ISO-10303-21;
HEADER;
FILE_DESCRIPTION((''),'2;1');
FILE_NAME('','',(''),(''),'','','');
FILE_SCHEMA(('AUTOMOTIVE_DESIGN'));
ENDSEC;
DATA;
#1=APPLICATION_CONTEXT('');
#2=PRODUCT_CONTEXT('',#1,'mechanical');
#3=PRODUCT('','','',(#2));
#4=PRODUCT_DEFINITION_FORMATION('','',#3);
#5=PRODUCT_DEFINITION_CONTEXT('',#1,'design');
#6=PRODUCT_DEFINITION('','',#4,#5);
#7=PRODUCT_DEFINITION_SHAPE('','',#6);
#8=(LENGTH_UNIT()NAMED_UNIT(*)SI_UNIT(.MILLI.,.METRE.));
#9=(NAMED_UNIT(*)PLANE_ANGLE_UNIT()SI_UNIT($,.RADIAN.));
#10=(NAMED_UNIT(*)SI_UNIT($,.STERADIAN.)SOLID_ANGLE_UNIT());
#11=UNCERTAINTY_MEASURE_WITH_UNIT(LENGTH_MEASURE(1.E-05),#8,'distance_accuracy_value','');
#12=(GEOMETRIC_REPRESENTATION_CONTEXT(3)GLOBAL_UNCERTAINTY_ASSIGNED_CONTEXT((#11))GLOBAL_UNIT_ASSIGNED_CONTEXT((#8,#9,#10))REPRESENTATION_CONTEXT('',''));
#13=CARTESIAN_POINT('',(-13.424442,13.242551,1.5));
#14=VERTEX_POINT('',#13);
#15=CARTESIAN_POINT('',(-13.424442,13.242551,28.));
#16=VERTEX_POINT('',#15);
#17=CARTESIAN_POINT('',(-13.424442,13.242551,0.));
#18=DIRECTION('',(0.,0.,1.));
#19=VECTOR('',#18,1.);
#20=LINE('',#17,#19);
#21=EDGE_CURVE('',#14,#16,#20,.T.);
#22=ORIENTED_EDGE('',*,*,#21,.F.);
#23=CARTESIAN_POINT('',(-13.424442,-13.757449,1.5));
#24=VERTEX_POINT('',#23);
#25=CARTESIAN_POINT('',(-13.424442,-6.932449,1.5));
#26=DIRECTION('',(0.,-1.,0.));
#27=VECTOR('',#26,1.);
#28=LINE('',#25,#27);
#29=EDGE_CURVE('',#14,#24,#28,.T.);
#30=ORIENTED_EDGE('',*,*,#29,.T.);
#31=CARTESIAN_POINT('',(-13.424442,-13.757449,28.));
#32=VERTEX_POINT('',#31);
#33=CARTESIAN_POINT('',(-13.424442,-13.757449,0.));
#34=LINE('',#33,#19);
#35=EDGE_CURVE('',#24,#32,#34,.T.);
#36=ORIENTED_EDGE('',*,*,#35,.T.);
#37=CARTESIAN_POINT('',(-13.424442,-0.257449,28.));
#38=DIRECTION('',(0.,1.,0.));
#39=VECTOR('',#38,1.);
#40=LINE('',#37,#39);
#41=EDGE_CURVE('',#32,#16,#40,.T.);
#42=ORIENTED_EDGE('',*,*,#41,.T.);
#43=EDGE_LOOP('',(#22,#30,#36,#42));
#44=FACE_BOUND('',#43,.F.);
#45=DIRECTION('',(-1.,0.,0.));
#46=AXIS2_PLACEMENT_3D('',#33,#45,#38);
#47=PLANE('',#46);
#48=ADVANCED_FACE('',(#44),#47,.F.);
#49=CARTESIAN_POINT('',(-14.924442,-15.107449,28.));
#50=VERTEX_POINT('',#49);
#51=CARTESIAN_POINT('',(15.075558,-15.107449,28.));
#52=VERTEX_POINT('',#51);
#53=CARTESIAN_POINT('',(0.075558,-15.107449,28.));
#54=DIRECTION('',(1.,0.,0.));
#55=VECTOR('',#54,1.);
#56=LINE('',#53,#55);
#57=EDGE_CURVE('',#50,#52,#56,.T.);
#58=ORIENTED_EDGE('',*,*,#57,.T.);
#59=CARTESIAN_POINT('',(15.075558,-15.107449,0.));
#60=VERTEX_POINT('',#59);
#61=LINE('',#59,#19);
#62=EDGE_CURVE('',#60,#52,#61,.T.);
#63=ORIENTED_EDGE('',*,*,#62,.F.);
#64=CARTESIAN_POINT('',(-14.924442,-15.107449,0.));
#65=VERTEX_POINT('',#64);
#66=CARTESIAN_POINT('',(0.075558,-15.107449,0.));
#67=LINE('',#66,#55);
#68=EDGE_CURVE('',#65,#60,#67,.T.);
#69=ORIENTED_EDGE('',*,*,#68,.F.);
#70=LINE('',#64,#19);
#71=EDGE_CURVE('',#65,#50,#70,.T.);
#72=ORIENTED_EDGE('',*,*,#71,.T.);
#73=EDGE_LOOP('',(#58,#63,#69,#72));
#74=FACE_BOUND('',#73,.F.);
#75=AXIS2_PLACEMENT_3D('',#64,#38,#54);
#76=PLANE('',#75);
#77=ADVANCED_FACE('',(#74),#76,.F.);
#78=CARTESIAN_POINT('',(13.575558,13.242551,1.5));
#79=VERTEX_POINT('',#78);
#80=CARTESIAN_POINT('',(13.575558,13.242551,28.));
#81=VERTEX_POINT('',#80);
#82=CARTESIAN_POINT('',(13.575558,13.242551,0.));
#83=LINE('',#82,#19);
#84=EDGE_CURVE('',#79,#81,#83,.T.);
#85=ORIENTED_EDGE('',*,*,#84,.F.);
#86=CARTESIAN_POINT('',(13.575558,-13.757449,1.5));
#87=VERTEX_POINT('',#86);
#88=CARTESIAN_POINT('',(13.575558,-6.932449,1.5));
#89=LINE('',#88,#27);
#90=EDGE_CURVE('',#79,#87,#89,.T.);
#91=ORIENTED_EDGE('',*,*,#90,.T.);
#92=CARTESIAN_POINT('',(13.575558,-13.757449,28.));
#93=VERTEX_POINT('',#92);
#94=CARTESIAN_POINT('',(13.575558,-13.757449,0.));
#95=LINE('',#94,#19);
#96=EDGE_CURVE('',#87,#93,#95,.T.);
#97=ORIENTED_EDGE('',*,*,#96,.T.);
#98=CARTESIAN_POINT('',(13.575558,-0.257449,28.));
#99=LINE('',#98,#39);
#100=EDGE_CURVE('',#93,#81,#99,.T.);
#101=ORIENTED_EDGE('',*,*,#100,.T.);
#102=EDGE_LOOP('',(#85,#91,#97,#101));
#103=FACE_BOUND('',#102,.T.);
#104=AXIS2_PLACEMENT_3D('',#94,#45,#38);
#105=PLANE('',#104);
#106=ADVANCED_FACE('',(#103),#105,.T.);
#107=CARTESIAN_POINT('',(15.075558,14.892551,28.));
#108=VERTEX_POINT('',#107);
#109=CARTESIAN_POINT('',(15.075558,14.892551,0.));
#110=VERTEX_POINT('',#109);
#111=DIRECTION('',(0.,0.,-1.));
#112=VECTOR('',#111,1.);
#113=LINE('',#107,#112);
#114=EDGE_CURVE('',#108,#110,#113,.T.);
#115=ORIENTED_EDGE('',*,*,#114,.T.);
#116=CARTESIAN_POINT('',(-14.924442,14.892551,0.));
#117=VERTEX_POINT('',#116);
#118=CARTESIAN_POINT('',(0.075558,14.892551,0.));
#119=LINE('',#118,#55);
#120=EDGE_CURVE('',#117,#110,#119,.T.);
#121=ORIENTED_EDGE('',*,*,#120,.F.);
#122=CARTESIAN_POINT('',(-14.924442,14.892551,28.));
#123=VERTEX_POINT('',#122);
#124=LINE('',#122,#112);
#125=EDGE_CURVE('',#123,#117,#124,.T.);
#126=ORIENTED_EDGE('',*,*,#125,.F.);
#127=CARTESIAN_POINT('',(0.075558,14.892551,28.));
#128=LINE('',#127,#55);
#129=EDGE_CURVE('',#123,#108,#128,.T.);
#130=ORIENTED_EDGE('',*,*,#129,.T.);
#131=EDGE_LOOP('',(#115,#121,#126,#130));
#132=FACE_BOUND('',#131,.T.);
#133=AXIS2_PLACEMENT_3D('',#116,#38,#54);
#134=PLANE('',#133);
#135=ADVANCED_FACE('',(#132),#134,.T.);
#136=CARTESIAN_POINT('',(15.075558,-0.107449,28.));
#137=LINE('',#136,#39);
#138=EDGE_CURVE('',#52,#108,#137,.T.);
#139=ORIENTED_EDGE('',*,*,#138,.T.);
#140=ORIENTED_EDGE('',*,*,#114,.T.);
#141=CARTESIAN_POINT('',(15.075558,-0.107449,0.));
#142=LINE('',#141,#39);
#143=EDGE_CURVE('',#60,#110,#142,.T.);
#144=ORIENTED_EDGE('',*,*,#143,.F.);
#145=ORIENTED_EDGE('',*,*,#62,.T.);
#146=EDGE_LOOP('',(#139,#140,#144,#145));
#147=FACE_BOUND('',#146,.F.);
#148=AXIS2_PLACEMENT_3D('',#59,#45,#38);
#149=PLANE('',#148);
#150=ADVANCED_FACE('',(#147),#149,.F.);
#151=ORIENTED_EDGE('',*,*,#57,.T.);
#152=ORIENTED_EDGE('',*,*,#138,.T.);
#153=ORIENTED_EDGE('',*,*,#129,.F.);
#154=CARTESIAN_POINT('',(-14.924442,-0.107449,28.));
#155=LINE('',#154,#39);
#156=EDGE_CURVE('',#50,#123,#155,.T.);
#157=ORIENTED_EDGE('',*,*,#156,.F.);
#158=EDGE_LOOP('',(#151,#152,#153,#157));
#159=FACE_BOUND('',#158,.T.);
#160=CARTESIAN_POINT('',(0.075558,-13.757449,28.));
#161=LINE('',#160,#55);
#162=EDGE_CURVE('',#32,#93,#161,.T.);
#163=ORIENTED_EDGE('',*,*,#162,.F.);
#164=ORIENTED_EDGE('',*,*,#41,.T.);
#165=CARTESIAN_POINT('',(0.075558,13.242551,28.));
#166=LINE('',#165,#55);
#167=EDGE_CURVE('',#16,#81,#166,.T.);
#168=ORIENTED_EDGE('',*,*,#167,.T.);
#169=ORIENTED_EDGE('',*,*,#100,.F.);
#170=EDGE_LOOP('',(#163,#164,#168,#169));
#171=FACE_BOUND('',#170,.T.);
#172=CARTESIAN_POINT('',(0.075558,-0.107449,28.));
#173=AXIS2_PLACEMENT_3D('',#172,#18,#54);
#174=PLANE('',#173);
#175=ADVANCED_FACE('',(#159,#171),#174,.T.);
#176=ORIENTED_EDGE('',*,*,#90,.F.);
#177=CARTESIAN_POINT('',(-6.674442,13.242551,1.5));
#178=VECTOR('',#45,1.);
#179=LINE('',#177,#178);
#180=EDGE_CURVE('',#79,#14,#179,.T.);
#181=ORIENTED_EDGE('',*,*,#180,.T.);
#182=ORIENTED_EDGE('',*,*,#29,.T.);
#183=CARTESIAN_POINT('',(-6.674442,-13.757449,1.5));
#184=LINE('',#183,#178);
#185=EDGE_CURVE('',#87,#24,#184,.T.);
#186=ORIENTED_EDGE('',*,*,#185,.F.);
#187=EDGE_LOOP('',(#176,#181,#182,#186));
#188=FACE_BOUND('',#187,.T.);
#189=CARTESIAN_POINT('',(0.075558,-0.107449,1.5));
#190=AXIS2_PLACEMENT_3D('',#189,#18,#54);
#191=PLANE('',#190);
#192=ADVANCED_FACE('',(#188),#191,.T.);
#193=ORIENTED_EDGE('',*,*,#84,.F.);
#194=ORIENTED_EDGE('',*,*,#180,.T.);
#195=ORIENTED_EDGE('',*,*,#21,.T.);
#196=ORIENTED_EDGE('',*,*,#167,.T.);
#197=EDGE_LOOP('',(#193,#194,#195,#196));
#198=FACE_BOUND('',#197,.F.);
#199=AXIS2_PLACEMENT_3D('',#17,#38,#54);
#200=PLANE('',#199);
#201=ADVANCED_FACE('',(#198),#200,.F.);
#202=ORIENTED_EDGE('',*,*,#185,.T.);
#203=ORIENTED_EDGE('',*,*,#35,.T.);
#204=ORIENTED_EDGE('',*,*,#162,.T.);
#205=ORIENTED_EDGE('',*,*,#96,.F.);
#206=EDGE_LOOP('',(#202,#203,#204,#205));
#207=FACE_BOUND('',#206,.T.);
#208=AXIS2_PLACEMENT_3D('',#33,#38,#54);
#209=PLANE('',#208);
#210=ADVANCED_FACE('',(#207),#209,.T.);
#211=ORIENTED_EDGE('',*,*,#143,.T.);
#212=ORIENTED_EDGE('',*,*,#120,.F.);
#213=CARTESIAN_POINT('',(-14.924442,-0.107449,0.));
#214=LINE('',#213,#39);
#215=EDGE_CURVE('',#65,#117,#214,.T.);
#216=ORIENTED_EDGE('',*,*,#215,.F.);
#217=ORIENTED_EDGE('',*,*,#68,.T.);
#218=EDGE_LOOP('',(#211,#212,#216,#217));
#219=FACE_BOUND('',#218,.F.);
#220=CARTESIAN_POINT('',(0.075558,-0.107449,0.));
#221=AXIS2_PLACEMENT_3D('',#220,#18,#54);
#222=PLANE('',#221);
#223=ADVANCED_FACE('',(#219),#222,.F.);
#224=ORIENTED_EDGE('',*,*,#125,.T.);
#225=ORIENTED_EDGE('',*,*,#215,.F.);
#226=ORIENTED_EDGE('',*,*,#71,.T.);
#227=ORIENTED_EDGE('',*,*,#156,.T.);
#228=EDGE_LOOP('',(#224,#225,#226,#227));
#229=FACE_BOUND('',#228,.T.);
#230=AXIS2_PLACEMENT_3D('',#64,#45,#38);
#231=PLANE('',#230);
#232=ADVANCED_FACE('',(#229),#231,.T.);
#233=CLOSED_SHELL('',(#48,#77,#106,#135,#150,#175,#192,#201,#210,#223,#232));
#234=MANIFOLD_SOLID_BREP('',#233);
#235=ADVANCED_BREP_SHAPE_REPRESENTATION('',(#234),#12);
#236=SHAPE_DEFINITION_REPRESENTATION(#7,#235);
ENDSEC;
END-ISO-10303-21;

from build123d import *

# Parameters (mm, degrees)
F0_W     = 30
F0_H     = 30
F0_W_2   = 27
F0_H_2   = 27
F1_DEPTH = 1.5
F2_DEPTH = 28


with BuildPart() as f1:
    # F0 (on Top) → F1 (new body)
    with BuildSketch(Plane.XY):
        with Locations((0.075558, -0.107449)):
            Rectangle(F0_W, F0_H)
        with Locations((0.075558, -0.257449)):
            Rectangle(F0_W_2, F0_H_2, mode=Mode.SUBTRACT)
        with Locations((0.075558, -0.257449)):
            Rectangle(F0_W_2, F0_H_2)
    extrude(amount=F1_DEPTH)

    # F0 (on Top) → F2 (join)
    with BuildSketch(Plane.XY):
        with Locations((0.075558, -0.107449)):
            Rectangle(F0_W, F0_H)
        with Locations((0.075558, -0.257449)):
            Rectangle(F0_W_2, F0_H_2, mode=Mode.SUBTRACT)
    extrude(amount=F2_DEPTH)


solid = f1.part
